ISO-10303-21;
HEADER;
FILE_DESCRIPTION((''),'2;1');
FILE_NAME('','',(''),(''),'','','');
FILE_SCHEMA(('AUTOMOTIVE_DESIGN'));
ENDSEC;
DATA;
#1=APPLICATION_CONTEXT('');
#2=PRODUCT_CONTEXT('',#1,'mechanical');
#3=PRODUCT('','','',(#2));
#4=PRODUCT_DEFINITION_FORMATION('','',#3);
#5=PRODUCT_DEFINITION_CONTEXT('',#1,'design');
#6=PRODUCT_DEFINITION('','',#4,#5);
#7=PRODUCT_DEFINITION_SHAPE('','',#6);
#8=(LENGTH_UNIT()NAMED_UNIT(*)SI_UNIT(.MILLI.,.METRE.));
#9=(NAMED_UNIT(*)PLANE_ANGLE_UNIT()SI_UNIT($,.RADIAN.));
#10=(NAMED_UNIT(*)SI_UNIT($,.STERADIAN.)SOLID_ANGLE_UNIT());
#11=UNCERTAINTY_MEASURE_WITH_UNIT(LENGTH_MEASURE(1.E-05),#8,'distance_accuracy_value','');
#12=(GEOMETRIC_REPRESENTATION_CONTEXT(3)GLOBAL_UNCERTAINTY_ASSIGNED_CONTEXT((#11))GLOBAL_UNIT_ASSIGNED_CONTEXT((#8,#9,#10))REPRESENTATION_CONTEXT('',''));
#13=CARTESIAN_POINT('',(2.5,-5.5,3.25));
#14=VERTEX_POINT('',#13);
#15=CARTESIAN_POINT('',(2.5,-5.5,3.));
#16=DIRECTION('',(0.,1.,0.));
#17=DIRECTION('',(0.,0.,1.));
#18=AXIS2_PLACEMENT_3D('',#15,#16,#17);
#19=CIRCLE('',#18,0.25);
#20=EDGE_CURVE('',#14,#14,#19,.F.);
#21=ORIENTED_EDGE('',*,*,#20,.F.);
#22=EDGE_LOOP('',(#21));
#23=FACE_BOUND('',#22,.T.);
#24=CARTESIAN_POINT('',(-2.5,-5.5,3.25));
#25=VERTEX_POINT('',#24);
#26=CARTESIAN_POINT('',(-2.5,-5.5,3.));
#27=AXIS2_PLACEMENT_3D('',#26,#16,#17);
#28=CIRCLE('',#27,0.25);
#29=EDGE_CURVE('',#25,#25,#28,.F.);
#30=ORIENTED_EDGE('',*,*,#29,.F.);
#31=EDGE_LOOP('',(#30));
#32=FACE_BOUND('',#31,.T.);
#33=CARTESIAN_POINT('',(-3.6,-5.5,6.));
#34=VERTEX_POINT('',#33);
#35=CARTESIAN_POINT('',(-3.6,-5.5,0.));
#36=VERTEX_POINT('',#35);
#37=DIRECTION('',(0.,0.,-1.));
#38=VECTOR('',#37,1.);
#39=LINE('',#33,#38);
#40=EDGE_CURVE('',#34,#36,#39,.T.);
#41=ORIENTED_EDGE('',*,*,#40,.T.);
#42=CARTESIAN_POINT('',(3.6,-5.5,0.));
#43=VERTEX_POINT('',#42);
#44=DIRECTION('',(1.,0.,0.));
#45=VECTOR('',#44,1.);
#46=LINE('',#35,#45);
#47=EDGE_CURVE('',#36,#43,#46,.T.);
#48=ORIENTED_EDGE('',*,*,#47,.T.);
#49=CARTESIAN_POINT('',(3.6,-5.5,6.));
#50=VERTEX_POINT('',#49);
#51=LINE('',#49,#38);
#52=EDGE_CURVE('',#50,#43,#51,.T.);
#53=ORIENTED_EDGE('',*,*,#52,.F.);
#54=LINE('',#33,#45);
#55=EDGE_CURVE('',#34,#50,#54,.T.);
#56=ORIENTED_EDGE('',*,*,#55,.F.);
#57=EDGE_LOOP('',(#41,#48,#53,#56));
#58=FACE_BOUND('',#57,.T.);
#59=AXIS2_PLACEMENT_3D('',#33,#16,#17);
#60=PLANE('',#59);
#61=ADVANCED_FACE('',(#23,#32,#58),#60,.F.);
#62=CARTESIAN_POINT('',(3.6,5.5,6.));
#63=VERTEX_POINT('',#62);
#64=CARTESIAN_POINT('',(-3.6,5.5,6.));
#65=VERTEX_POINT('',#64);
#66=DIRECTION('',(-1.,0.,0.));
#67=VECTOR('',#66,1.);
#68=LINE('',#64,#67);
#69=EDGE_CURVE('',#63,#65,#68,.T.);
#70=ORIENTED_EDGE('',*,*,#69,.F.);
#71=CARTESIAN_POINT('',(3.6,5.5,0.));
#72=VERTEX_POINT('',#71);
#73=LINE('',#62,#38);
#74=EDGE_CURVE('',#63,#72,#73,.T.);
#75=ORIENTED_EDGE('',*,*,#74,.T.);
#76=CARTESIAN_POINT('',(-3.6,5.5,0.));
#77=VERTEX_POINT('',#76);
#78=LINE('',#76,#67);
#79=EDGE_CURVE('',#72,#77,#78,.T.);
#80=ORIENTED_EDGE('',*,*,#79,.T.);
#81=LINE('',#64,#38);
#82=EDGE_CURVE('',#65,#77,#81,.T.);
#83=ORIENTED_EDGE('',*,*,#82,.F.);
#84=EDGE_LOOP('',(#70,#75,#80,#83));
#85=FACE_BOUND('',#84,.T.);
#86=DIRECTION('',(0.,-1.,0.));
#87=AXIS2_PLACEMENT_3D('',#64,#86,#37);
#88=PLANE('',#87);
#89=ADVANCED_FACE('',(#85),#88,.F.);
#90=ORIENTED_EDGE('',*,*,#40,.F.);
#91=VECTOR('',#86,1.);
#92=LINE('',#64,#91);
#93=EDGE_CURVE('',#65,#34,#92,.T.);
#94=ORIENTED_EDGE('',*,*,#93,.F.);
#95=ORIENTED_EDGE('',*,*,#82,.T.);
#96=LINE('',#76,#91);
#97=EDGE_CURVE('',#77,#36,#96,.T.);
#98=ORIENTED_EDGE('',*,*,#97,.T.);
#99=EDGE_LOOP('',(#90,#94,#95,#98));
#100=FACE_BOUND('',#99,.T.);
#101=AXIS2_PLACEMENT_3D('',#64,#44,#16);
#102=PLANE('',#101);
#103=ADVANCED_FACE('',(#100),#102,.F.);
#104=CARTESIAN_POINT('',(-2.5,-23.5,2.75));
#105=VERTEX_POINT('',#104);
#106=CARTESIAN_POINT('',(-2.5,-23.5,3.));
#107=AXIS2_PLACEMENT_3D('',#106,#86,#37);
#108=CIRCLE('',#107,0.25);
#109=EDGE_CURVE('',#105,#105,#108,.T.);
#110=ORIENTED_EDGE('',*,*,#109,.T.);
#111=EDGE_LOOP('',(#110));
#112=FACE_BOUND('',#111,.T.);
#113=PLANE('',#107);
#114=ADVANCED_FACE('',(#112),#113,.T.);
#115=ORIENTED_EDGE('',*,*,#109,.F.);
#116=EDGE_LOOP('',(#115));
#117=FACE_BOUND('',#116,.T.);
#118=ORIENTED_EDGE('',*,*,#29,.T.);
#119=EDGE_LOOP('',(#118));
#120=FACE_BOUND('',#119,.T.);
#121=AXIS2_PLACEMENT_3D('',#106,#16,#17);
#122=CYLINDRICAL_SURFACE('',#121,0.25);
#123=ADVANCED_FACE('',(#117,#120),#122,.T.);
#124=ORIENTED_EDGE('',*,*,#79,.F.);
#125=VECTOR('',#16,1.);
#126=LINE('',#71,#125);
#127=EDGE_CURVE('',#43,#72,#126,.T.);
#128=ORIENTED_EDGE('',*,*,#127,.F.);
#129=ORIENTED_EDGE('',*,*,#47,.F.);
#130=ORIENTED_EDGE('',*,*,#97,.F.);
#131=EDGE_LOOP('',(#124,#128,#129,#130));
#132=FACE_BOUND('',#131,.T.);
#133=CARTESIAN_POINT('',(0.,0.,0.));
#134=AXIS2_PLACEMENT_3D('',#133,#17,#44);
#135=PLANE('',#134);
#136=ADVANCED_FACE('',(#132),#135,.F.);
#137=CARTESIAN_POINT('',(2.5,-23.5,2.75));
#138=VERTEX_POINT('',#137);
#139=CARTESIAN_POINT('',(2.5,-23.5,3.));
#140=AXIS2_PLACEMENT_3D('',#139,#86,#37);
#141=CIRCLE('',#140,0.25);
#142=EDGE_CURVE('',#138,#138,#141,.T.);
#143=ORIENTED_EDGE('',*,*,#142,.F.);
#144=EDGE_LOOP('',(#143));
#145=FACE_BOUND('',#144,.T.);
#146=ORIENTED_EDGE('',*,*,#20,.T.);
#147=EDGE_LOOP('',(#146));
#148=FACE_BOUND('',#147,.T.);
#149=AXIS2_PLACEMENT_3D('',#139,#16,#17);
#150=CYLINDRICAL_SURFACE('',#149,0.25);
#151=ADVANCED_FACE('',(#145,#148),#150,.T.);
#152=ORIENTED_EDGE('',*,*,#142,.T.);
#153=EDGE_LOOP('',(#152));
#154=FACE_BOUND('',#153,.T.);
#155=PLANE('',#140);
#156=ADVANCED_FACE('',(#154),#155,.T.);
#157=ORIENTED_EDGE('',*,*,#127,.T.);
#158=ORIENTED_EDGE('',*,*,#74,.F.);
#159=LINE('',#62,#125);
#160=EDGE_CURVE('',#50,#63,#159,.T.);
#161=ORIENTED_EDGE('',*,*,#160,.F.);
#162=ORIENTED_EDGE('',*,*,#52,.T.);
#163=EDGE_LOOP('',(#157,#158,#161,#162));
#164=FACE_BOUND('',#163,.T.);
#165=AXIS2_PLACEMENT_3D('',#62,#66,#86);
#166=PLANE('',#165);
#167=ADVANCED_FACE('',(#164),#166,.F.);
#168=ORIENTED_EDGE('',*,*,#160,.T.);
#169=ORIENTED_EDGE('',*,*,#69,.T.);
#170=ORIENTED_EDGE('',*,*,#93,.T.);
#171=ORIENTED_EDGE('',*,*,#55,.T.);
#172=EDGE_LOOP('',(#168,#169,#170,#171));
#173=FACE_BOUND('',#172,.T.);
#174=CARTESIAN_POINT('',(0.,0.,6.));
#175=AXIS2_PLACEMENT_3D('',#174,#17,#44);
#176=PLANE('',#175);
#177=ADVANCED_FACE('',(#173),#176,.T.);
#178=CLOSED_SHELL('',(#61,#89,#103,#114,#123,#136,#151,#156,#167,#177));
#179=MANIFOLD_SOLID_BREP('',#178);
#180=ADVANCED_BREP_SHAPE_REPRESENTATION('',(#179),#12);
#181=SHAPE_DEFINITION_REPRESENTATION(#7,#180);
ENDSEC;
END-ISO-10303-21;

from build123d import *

# Parameters (mm, degrees)
SKETCH1_W           = 7.2
SKETCH1_H           = 11
BOSS_EXTRUDE1_DEPTH = 6
SKETCH2_R           = 0.25
BOSS_EXTRUDE2_DEPTH = 18


with BuildPart() as part:
    # Sketch1 → Boss-Extrude1 (new body)
    with BuildSketch(Plane.XY):
        Rectangle(SKETCH1_W, SKETCH1_H)
    extrude(amount=BOSS_EXTRUDE1_DEPTH)

    # Sketch2 → Boss-Extrude2 (add)
    with BuildSketch(Plane.XZ.offset(5.5)):
        with Locations(Location((-2.5, 3, 0), (0, 0, 90))):
            Circle(SKETCH2_R)
        with Locations(Location((2.5, 3, 0), (0, 0, 90))):
            Circle(SKETCH2_R)
    extrude(amount=BOSS_EXTRUDE2_DEPTH)


solid = part.part
